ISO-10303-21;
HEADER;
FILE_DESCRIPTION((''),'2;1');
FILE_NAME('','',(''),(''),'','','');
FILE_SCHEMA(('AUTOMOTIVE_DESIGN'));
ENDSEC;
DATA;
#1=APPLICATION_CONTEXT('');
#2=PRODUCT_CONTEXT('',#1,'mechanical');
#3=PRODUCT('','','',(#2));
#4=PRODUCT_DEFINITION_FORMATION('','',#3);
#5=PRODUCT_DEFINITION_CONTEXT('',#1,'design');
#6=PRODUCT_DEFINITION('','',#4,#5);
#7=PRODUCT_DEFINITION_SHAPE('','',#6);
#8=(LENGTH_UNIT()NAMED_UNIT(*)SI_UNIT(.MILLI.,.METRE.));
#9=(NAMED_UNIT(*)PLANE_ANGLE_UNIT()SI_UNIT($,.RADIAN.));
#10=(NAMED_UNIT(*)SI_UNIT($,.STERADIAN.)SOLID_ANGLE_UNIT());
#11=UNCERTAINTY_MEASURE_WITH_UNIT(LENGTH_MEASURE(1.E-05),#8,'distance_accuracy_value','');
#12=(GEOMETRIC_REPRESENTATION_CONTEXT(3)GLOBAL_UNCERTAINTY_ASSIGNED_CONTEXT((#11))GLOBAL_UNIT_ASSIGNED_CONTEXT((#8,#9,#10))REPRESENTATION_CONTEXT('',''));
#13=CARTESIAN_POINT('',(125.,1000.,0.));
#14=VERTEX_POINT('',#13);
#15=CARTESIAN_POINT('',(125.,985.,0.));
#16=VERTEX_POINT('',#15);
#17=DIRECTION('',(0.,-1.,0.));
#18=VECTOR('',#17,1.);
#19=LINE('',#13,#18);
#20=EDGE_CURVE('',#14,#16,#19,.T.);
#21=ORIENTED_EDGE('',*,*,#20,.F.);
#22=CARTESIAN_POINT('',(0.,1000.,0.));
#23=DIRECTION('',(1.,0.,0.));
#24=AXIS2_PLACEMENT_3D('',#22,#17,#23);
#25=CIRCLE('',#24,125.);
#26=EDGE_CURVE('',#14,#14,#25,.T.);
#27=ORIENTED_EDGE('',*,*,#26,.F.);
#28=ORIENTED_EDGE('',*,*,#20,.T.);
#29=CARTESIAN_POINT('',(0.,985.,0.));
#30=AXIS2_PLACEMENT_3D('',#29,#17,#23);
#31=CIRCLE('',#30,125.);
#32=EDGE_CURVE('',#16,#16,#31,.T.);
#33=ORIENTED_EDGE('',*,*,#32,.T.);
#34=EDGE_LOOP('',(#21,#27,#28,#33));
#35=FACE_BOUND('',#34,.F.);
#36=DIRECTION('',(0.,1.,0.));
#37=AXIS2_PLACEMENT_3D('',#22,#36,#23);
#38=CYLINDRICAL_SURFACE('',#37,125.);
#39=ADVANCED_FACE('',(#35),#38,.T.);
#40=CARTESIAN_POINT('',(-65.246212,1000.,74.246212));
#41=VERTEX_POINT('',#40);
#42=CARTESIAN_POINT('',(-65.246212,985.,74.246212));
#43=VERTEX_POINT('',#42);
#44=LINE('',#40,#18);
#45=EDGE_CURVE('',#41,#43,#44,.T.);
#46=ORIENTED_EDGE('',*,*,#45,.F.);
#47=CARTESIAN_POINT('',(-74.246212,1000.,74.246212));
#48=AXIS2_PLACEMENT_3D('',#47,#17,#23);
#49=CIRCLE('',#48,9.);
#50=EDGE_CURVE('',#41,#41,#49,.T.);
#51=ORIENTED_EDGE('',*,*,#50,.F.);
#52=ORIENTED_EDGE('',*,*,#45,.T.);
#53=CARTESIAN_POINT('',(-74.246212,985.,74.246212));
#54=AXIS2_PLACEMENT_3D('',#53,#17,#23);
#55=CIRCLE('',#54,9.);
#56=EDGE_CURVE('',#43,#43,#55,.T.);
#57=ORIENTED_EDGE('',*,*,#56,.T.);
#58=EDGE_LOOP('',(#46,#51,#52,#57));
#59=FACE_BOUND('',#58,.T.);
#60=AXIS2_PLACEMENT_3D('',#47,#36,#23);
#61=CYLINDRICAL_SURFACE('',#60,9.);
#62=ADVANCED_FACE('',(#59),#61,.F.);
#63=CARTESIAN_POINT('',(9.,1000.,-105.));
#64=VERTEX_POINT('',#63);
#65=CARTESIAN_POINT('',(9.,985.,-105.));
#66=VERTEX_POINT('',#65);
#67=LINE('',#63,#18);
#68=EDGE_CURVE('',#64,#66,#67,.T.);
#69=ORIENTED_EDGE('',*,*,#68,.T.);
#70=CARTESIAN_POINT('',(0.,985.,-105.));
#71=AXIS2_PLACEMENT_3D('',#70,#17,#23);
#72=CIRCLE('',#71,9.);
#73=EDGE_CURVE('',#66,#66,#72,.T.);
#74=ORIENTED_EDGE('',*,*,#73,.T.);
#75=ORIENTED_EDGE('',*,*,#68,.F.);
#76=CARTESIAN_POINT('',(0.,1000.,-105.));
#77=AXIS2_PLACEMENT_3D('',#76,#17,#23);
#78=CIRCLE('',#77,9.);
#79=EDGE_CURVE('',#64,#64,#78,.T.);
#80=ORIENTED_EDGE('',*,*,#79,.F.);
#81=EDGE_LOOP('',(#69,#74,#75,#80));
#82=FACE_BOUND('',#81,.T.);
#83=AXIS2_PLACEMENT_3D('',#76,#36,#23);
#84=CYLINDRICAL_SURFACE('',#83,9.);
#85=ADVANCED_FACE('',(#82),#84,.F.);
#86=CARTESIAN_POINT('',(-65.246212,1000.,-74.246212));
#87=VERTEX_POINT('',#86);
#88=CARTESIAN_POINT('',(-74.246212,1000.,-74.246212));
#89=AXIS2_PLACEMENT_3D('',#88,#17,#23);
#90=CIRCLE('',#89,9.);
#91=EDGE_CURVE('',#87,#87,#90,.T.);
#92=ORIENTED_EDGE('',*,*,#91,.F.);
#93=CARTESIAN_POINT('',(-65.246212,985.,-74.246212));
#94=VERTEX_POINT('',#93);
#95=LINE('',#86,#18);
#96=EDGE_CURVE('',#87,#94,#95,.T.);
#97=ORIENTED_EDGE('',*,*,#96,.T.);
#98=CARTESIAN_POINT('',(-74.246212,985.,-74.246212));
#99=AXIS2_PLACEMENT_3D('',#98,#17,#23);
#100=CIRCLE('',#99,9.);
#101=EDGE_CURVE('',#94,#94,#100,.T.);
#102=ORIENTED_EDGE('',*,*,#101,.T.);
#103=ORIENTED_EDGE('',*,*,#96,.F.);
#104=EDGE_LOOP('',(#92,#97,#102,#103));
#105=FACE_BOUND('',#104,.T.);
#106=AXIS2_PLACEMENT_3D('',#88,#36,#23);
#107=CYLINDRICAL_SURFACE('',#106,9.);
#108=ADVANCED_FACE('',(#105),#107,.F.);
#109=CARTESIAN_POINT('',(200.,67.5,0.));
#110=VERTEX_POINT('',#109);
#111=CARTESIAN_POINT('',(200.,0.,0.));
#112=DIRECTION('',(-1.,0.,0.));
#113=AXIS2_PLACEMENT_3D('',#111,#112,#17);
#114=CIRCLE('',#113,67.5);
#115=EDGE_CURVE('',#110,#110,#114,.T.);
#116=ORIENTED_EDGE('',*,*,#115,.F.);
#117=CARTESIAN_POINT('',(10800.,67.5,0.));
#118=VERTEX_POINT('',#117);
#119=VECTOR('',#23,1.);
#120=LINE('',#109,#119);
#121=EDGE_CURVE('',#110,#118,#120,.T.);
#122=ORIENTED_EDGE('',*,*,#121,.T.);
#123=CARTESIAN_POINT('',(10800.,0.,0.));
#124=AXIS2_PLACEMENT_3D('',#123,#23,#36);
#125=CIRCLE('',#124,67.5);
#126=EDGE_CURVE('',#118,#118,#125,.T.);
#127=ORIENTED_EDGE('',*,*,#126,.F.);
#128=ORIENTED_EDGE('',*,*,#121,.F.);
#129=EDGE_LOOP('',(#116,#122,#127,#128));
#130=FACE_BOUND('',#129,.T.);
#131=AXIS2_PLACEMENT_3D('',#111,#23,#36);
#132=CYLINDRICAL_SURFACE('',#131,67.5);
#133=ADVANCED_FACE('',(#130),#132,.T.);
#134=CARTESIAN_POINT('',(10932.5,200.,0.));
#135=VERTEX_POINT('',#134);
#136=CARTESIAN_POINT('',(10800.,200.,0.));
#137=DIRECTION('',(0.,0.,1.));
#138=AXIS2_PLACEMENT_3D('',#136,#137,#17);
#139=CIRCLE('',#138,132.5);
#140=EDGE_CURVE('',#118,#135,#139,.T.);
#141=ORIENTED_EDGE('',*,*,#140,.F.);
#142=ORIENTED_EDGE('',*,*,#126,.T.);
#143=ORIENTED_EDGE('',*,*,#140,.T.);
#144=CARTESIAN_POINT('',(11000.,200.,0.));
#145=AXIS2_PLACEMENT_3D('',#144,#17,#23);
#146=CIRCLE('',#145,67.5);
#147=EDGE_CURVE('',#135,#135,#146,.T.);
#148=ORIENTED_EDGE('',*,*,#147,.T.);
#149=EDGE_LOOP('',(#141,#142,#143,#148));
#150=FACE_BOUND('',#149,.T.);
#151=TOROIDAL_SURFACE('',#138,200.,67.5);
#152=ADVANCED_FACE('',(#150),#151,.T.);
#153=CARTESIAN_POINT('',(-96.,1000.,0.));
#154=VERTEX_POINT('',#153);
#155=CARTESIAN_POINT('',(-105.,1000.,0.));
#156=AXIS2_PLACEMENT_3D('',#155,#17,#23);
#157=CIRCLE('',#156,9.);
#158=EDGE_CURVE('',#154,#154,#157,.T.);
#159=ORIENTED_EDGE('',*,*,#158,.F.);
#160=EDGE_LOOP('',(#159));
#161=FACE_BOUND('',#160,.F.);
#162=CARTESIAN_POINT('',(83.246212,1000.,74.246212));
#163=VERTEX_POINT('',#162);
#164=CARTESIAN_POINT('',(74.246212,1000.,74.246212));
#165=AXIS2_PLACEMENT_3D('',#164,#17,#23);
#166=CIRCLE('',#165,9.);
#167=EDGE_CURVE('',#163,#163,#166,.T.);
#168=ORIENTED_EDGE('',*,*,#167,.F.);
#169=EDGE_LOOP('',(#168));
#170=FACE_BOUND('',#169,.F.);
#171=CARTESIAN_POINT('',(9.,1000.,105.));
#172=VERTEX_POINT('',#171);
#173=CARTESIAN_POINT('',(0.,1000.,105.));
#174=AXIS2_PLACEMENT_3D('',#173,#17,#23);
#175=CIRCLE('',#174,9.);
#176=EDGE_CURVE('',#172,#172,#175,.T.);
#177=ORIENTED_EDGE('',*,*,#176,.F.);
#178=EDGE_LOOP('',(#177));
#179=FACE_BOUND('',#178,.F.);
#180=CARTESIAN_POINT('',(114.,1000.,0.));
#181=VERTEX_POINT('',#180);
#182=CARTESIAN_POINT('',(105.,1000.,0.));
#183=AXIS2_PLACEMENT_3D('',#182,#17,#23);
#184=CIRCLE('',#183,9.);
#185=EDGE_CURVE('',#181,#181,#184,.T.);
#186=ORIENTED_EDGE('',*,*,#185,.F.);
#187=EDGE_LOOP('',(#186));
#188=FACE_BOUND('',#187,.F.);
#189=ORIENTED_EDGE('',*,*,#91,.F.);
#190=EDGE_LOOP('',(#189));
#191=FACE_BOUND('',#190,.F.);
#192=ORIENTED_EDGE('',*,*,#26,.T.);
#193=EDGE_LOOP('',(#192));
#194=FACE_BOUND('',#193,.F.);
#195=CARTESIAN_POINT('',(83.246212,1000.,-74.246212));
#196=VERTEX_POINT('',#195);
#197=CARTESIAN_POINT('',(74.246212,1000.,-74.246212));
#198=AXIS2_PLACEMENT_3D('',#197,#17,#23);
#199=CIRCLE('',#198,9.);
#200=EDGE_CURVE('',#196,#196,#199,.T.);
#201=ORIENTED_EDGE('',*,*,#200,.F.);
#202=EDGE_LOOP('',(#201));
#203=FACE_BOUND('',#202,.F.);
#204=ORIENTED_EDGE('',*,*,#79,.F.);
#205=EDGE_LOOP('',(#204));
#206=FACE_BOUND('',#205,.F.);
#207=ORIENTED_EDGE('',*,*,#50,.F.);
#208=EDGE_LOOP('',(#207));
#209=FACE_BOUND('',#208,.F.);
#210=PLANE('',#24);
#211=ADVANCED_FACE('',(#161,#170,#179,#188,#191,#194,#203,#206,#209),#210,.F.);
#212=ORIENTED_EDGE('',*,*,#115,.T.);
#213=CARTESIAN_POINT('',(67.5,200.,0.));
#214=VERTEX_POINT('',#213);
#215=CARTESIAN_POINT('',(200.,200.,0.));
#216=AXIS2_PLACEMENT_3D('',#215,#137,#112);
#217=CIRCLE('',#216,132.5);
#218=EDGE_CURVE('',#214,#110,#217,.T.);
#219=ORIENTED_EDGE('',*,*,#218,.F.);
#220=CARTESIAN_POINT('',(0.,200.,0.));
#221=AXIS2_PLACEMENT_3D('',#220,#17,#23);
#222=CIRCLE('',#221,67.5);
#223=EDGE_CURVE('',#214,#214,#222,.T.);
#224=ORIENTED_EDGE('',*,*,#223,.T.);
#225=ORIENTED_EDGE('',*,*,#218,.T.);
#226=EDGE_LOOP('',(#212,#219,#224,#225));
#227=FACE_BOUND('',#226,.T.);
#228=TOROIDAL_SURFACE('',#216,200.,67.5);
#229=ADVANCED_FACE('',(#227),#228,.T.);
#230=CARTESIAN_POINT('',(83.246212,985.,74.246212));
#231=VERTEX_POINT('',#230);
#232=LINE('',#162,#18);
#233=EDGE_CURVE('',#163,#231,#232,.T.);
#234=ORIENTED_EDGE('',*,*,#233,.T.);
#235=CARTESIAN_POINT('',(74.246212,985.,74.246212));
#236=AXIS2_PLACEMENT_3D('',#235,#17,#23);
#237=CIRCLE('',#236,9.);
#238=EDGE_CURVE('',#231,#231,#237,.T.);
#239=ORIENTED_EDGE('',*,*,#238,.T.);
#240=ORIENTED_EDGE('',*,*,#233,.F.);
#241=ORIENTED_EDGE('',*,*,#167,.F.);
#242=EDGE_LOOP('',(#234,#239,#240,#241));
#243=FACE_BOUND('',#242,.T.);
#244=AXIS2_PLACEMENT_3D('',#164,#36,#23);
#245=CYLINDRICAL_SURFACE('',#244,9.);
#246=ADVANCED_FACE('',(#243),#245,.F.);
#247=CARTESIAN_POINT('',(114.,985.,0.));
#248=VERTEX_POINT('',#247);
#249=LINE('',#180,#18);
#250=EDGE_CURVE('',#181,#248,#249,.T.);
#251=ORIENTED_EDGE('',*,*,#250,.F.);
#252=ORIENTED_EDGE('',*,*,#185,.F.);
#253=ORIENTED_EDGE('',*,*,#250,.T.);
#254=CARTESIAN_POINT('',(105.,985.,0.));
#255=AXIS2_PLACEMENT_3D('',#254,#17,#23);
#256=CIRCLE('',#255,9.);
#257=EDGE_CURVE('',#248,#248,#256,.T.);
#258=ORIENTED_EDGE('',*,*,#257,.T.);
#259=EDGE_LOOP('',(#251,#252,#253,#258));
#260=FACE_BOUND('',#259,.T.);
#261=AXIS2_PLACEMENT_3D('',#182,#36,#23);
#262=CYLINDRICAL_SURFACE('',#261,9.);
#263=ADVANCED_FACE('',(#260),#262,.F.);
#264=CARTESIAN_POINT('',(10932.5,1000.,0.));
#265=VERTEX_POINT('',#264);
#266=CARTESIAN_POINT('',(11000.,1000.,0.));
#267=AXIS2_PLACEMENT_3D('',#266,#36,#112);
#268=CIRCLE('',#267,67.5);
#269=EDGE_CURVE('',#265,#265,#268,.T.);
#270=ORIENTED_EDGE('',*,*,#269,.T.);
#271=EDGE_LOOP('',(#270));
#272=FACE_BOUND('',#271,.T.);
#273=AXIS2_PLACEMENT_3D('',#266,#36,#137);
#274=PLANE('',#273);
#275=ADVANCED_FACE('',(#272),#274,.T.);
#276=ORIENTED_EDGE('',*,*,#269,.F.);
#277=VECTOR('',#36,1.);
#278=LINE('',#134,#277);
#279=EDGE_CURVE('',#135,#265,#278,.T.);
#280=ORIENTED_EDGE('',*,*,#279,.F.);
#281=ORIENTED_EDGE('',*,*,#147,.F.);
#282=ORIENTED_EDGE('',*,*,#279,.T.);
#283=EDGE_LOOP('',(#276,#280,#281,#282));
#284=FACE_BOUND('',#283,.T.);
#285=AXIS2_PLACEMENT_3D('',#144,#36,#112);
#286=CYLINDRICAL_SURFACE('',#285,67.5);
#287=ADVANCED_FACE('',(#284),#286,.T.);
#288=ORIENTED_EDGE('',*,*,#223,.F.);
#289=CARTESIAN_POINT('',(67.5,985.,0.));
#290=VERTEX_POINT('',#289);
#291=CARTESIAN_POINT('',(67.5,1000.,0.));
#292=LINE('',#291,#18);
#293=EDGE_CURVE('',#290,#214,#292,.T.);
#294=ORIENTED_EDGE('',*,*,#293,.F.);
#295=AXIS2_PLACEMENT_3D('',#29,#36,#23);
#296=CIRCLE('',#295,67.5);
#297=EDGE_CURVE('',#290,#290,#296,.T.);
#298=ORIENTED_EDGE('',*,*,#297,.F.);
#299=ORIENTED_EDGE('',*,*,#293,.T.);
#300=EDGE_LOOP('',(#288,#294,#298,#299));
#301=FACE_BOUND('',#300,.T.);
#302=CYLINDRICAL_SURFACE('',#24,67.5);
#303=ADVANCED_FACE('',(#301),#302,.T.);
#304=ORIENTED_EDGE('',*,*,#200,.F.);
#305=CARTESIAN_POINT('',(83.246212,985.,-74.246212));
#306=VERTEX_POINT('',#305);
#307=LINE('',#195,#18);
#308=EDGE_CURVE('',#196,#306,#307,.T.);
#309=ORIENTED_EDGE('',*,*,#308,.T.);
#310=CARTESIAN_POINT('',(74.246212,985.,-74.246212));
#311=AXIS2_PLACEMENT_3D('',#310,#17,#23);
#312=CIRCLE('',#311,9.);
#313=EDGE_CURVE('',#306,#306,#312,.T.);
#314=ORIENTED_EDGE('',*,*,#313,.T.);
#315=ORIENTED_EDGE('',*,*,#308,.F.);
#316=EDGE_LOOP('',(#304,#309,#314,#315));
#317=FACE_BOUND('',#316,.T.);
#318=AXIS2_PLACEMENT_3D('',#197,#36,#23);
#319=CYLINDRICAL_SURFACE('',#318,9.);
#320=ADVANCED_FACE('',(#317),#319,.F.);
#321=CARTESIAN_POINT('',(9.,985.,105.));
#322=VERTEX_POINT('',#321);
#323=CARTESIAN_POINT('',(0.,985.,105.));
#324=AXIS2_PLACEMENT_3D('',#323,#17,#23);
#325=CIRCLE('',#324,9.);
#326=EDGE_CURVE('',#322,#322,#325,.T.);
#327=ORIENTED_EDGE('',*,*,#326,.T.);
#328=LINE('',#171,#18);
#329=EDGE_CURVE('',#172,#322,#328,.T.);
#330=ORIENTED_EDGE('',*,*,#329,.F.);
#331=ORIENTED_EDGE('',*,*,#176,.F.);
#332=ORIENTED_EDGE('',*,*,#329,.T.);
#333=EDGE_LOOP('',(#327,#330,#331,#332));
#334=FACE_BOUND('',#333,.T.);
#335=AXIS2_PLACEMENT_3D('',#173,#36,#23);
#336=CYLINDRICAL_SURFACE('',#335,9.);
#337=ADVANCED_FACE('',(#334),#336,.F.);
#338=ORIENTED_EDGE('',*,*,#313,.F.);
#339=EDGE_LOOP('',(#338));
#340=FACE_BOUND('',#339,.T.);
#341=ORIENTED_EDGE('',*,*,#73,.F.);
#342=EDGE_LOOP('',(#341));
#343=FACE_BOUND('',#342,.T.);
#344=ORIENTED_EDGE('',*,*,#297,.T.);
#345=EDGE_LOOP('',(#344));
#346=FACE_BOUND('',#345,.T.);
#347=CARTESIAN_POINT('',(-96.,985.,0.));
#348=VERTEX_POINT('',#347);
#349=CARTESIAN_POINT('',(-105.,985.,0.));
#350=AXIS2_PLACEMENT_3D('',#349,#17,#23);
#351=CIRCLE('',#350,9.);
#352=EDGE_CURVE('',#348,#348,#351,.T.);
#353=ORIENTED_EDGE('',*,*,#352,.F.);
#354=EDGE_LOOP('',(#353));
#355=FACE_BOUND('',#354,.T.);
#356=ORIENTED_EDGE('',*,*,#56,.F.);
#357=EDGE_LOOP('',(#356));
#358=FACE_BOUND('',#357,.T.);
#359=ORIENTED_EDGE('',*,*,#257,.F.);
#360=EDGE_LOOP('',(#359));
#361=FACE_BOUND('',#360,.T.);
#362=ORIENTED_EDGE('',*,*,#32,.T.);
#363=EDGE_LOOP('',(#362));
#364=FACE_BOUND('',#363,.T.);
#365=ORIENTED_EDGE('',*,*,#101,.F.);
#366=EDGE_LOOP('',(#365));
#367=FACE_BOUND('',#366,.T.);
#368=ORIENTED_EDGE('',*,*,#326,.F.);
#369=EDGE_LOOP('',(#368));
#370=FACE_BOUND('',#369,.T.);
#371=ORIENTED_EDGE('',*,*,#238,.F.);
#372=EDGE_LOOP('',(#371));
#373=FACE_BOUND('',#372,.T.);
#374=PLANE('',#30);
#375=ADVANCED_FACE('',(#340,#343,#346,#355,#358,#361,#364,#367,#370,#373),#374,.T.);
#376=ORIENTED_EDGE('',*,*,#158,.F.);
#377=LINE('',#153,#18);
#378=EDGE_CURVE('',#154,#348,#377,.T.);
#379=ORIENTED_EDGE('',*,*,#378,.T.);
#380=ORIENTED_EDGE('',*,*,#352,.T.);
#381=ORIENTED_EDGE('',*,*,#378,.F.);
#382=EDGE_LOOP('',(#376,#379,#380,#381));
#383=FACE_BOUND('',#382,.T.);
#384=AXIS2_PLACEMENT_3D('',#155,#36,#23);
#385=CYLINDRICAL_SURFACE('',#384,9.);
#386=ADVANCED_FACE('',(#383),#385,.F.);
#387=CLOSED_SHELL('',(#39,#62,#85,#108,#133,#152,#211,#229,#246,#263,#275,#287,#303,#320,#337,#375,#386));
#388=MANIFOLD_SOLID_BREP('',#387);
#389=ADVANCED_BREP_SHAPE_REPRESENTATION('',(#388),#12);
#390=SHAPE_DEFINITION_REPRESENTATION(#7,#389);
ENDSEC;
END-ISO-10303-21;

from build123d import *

# Parameters (mm, degrees)
F2_R      = 67.5
F2_R_2    = 125
F2_R_3    = 9
F3_FACE_R = 67.5
F4_DEPTH  = 15


with BuildPart() as f3:
    # F3: sweep along a path in F0
    with BuildLine(Plane.XY) as f3_path:
        Line((0, 1000), (0, 200))
        ThreePointArc((0, 200), (58.5786437627, 58.5786437627), (200, 0))
        Line((200, 0), (10800, 0))
        ThreePointArc((10800, 0), (10941.4213562373, 58.5786437627), (11000, 200))
        Line((11000, 200), (11000, 1000))
    # F2 (on offset) → F3 (sweep)
    with BuildSketch(Plane.XZ.offset(-1000)):
        Circle(F2_R)
    sweep(path=f3_path.line)

    # F2 (on offset) + F3_face (on face) → F4 (join)
    with BuildSketch(Plane.XZ.offset(-1000)):
        Circle(F2_R_2)
        with Locations((-74.2462120246, -74.2462120246)):
            Circle(F2_R_3, mode=Mode.SUBTRACT)
        with Locations((0, -105)):
            Circle(F2_R_3, mode=Mode.SUBTRACT)
        with Locations((74.2462120246, -74.2462120246)):
            Circle(F2_R_3, mode=Mode.SUBTRACT)
        with Locations((-105, 0)):
            Circle(F2_R_3, mode=Mode.SUBTRACT)
        with Locations((-74.2462120246, 74.2462120246)):
            Circle(F2_R_3, mode=Mode.SUBTRACT)
        Circle(F2_R, mode=Mode.SUBTRACT)
        with Locations((105, 0)):
            Circle(F2_R_3, mode=Mode.SUBTRACT)
        with Locations((0, 105)):
            Circle(F2_R_3, mode=Mode.SUBTRACT)
        with Locations((74.2462120246, 74.2462120246)):
            Circle(F2_R_3, mode=Mode.SUBTRACT)
    with BuildSketch(Plane(origin=(0, 1000, 0), x_dir=(-1, 0, 0), z_dir=(0, 1, 0))):
        Circle(F3_FACE_R)
    extrude(amount=F4_DEPTH, dir=(0, -1, 0))


solid = f3.part
